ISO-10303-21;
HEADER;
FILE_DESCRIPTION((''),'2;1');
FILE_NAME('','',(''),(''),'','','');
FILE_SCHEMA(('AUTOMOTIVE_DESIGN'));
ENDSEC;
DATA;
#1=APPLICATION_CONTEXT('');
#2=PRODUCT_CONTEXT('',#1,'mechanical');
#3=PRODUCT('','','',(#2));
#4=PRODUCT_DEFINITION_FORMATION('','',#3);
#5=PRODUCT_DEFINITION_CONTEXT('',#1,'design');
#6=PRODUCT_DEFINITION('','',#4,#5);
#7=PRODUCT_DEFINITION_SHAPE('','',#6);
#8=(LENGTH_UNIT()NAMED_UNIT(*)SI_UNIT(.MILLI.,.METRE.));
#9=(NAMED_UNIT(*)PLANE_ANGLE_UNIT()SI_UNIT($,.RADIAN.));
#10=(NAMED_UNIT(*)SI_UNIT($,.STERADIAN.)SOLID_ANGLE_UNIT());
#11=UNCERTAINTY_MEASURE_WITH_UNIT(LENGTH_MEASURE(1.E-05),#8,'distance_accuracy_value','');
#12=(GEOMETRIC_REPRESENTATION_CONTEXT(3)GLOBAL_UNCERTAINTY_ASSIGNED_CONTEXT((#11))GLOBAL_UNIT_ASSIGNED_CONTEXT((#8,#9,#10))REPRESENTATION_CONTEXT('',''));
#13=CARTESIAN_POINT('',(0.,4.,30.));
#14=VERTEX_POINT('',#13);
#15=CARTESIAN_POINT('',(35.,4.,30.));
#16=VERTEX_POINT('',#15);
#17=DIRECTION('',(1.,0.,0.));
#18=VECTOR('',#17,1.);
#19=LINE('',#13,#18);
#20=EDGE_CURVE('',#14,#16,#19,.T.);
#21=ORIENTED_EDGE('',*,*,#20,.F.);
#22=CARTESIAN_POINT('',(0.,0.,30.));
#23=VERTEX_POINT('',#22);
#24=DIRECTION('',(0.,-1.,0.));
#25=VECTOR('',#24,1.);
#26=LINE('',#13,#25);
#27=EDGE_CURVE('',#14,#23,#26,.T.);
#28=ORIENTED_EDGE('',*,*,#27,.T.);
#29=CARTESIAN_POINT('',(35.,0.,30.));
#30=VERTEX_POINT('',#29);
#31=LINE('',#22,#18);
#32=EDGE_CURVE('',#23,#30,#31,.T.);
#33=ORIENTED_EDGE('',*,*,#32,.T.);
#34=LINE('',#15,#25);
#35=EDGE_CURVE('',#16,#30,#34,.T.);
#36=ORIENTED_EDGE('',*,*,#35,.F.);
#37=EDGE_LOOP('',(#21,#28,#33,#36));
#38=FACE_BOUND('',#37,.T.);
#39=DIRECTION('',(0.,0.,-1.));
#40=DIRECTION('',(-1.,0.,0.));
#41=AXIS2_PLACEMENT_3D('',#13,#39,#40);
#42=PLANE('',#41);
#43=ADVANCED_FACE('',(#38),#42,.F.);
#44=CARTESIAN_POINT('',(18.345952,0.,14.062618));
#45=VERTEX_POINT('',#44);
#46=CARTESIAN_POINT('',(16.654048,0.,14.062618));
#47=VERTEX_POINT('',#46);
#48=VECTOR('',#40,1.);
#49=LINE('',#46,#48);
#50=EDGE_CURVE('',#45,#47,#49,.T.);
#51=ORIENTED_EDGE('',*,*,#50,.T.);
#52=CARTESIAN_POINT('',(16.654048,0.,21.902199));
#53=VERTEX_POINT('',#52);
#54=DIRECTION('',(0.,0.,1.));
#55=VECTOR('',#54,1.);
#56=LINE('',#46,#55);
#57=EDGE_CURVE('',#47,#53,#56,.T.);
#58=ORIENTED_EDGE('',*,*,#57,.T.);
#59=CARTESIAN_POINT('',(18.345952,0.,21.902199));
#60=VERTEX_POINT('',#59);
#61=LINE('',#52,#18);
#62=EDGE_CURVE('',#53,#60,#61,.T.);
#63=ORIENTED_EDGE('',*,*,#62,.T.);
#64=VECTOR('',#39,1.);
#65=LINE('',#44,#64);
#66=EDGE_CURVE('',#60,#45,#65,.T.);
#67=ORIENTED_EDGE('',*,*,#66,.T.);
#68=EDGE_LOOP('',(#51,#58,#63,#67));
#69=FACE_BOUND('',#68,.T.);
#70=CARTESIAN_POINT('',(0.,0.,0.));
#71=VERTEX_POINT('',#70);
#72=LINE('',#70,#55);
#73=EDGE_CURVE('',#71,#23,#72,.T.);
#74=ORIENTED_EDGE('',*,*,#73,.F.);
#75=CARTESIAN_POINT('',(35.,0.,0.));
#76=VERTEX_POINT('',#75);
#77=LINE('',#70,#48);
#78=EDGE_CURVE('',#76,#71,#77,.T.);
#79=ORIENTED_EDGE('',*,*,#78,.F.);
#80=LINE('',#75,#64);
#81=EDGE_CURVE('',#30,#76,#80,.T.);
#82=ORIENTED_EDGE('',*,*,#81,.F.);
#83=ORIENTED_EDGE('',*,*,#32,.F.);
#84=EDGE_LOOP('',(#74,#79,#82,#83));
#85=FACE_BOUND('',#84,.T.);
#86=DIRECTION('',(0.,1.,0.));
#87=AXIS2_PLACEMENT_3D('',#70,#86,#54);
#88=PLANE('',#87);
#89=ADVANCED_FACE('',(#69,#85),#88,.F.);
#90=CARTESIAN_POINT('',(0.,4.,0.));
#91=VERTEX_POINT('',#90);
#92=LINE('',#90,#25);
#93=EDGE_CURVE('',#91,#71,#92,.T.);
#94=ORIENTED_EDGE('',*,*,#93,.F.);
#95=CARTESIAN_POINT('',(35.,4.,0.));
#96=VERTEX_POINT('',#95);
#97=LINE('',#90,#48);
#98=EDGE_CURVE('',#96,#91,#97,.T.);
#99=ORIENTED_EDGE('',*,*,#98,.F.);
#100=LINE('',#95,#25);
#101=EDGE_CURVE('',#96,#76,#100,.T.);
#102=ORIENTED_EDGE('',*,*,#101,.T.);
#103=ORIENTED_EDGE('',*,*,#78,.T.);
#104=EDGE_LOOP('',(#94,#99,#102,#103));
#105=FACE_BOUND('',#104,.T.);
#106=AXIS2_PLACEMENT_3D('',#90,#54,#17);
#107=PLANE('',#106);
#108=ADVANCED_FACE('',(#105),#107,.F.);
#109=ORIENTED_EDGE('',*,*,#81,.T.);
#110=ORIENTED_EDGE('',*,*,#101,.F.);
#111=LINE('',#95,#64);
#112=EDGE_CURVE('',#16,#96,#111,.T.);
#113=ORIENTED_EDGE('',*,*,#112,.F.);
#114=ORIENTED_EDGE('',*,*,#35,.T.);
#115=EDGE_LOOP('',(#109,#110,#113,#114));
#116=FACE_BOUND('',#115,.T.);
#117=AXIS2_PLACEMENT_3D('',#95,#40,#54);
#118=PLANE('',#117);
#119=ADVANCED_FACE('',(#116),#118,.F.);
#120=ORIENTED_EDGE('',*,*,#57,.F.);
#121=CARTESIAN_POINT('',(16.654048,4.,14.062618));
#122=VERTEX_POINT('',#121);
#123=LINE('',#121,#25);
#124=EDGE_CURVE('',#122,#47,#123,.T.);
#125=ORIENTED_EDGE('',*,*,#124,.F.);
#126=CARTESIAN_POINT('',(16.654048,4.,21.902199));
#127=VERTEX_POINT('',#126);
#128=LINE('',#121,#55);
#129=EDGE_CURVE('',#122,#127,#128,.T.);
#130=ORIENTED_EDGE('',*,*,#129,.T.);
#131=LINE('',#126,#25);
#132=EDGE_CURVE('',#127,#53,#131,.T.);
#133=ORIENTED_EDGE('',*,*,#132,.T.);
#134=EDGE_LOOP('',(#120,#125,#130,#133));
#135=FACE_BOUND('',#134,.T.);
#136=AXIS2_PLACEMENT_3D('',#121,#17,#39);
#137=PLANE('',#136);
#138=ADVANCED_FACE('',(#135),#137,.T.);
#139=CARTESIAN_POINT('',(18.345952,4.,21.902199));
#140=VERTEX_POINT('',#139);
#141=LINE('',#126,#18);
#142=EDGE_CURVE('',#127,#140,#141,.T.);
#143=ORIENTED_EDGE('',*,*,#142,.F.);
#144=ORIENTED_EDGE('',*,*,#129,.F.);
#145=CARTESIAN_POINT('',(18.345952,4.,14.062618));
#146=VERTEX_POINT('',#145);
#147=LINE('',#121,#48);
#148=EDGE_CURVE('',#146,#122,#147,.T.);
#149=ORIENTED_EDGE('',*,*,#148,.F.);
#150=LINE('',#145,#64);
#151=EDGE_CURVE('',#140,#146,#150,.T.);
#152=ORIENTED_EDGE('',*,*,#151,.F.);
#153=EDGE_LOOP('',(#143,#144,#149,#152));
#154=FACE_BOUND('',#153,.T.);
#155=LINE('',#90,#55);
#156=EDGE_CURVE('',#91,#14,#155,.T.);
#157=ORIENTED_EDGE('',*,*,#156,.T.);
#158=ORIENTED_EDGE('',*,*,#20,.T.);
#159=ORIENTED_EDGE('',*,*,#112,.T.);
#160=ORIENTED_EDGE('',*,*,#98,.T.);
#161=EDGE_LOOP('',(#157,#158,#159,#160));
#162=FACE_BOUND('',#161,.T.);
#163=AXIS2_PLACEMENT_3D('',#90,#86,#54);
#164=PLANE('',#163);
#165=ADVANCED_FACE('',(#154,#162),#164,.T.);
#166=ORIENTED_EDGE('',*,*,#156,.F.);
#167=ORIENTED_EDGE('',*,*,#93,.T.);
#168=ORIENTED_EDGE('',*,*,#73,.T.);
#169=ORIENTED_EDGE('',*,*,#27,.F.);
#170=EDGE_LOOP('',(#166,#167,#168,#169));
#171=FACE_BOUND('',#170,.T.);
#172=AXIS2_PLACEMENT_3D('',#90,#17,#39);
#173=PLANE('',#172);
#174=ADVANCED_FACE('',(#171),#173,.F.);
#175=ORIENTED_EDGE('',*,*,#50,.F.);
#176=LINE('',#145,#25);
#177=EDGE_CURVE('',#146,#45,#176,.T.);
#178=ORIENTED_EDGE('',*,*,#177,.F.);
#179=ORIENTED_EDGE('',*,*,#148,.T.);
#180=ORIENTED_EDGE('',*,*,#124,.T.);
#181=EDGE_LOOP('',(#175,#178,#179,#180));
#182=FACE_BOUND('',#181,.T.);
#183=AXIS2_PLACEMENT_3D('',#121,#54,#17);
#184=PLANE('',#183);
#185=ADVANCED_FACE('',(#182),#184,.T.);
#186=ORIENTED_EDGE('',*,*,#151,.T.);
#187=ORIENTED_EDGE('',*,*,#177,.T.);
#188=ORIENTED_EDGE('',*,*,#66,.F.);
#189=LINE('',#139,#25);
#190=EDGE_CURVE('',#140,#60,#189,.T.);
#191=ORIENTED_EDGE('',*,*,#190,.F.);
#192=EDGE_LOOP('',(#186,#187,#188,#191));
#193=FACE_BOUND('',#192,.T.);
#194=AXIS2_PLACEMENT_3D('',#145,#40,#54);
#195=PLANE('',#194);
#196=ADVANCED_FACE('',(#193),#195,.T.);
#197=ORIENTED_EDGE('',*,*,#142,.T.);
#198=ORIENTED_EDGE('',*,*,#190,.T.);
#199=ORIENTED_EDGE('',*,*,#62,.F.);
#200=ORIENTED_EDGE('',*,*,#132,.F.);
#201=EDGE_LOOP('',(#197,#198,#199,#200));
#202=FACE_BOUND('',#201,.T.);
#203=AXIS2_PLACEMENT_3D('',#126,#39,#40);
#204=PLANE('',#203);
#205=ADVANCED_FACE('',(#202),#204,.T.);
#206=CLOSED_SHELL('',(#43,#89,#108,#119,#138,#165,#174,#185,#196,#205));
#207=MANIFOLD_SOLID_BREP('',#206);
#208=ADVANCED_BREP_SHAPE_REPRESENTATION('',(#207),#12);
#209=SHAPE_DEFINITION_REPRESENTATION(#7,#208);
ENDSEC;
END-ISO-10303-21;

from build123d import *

# Parameters (mm, degrees)
SKETCH1_W           = 35
SKETCH1_H           = 30
SKETCH1_W_2         = 1.691904034
SKETCH1_H_2         = 7.839581069
BOSS_EXTRUDE1_DEPTH = 4


with BuildPart() as part:
    # Sketch1 → Boss-Extrude1 (new body)
    with BuildSketch(Plane(origin=(0, 0, 0), x_dir=(1, 0, 0), z_dir=(0, 1, 0))):
        with Locations((17.5, -15)):
            Rectangle(SKETCH1_W, SKETCH1_H)
        with Locations((17.5, -17.982408881)):
            Rectangle(SKETCH1_W_2, SKETCH1_H_2, mode=Mode.SUBTRACT)
    extrude(amount=BOSS_EXTRUDE1_DEPTH)


solid = part.part
